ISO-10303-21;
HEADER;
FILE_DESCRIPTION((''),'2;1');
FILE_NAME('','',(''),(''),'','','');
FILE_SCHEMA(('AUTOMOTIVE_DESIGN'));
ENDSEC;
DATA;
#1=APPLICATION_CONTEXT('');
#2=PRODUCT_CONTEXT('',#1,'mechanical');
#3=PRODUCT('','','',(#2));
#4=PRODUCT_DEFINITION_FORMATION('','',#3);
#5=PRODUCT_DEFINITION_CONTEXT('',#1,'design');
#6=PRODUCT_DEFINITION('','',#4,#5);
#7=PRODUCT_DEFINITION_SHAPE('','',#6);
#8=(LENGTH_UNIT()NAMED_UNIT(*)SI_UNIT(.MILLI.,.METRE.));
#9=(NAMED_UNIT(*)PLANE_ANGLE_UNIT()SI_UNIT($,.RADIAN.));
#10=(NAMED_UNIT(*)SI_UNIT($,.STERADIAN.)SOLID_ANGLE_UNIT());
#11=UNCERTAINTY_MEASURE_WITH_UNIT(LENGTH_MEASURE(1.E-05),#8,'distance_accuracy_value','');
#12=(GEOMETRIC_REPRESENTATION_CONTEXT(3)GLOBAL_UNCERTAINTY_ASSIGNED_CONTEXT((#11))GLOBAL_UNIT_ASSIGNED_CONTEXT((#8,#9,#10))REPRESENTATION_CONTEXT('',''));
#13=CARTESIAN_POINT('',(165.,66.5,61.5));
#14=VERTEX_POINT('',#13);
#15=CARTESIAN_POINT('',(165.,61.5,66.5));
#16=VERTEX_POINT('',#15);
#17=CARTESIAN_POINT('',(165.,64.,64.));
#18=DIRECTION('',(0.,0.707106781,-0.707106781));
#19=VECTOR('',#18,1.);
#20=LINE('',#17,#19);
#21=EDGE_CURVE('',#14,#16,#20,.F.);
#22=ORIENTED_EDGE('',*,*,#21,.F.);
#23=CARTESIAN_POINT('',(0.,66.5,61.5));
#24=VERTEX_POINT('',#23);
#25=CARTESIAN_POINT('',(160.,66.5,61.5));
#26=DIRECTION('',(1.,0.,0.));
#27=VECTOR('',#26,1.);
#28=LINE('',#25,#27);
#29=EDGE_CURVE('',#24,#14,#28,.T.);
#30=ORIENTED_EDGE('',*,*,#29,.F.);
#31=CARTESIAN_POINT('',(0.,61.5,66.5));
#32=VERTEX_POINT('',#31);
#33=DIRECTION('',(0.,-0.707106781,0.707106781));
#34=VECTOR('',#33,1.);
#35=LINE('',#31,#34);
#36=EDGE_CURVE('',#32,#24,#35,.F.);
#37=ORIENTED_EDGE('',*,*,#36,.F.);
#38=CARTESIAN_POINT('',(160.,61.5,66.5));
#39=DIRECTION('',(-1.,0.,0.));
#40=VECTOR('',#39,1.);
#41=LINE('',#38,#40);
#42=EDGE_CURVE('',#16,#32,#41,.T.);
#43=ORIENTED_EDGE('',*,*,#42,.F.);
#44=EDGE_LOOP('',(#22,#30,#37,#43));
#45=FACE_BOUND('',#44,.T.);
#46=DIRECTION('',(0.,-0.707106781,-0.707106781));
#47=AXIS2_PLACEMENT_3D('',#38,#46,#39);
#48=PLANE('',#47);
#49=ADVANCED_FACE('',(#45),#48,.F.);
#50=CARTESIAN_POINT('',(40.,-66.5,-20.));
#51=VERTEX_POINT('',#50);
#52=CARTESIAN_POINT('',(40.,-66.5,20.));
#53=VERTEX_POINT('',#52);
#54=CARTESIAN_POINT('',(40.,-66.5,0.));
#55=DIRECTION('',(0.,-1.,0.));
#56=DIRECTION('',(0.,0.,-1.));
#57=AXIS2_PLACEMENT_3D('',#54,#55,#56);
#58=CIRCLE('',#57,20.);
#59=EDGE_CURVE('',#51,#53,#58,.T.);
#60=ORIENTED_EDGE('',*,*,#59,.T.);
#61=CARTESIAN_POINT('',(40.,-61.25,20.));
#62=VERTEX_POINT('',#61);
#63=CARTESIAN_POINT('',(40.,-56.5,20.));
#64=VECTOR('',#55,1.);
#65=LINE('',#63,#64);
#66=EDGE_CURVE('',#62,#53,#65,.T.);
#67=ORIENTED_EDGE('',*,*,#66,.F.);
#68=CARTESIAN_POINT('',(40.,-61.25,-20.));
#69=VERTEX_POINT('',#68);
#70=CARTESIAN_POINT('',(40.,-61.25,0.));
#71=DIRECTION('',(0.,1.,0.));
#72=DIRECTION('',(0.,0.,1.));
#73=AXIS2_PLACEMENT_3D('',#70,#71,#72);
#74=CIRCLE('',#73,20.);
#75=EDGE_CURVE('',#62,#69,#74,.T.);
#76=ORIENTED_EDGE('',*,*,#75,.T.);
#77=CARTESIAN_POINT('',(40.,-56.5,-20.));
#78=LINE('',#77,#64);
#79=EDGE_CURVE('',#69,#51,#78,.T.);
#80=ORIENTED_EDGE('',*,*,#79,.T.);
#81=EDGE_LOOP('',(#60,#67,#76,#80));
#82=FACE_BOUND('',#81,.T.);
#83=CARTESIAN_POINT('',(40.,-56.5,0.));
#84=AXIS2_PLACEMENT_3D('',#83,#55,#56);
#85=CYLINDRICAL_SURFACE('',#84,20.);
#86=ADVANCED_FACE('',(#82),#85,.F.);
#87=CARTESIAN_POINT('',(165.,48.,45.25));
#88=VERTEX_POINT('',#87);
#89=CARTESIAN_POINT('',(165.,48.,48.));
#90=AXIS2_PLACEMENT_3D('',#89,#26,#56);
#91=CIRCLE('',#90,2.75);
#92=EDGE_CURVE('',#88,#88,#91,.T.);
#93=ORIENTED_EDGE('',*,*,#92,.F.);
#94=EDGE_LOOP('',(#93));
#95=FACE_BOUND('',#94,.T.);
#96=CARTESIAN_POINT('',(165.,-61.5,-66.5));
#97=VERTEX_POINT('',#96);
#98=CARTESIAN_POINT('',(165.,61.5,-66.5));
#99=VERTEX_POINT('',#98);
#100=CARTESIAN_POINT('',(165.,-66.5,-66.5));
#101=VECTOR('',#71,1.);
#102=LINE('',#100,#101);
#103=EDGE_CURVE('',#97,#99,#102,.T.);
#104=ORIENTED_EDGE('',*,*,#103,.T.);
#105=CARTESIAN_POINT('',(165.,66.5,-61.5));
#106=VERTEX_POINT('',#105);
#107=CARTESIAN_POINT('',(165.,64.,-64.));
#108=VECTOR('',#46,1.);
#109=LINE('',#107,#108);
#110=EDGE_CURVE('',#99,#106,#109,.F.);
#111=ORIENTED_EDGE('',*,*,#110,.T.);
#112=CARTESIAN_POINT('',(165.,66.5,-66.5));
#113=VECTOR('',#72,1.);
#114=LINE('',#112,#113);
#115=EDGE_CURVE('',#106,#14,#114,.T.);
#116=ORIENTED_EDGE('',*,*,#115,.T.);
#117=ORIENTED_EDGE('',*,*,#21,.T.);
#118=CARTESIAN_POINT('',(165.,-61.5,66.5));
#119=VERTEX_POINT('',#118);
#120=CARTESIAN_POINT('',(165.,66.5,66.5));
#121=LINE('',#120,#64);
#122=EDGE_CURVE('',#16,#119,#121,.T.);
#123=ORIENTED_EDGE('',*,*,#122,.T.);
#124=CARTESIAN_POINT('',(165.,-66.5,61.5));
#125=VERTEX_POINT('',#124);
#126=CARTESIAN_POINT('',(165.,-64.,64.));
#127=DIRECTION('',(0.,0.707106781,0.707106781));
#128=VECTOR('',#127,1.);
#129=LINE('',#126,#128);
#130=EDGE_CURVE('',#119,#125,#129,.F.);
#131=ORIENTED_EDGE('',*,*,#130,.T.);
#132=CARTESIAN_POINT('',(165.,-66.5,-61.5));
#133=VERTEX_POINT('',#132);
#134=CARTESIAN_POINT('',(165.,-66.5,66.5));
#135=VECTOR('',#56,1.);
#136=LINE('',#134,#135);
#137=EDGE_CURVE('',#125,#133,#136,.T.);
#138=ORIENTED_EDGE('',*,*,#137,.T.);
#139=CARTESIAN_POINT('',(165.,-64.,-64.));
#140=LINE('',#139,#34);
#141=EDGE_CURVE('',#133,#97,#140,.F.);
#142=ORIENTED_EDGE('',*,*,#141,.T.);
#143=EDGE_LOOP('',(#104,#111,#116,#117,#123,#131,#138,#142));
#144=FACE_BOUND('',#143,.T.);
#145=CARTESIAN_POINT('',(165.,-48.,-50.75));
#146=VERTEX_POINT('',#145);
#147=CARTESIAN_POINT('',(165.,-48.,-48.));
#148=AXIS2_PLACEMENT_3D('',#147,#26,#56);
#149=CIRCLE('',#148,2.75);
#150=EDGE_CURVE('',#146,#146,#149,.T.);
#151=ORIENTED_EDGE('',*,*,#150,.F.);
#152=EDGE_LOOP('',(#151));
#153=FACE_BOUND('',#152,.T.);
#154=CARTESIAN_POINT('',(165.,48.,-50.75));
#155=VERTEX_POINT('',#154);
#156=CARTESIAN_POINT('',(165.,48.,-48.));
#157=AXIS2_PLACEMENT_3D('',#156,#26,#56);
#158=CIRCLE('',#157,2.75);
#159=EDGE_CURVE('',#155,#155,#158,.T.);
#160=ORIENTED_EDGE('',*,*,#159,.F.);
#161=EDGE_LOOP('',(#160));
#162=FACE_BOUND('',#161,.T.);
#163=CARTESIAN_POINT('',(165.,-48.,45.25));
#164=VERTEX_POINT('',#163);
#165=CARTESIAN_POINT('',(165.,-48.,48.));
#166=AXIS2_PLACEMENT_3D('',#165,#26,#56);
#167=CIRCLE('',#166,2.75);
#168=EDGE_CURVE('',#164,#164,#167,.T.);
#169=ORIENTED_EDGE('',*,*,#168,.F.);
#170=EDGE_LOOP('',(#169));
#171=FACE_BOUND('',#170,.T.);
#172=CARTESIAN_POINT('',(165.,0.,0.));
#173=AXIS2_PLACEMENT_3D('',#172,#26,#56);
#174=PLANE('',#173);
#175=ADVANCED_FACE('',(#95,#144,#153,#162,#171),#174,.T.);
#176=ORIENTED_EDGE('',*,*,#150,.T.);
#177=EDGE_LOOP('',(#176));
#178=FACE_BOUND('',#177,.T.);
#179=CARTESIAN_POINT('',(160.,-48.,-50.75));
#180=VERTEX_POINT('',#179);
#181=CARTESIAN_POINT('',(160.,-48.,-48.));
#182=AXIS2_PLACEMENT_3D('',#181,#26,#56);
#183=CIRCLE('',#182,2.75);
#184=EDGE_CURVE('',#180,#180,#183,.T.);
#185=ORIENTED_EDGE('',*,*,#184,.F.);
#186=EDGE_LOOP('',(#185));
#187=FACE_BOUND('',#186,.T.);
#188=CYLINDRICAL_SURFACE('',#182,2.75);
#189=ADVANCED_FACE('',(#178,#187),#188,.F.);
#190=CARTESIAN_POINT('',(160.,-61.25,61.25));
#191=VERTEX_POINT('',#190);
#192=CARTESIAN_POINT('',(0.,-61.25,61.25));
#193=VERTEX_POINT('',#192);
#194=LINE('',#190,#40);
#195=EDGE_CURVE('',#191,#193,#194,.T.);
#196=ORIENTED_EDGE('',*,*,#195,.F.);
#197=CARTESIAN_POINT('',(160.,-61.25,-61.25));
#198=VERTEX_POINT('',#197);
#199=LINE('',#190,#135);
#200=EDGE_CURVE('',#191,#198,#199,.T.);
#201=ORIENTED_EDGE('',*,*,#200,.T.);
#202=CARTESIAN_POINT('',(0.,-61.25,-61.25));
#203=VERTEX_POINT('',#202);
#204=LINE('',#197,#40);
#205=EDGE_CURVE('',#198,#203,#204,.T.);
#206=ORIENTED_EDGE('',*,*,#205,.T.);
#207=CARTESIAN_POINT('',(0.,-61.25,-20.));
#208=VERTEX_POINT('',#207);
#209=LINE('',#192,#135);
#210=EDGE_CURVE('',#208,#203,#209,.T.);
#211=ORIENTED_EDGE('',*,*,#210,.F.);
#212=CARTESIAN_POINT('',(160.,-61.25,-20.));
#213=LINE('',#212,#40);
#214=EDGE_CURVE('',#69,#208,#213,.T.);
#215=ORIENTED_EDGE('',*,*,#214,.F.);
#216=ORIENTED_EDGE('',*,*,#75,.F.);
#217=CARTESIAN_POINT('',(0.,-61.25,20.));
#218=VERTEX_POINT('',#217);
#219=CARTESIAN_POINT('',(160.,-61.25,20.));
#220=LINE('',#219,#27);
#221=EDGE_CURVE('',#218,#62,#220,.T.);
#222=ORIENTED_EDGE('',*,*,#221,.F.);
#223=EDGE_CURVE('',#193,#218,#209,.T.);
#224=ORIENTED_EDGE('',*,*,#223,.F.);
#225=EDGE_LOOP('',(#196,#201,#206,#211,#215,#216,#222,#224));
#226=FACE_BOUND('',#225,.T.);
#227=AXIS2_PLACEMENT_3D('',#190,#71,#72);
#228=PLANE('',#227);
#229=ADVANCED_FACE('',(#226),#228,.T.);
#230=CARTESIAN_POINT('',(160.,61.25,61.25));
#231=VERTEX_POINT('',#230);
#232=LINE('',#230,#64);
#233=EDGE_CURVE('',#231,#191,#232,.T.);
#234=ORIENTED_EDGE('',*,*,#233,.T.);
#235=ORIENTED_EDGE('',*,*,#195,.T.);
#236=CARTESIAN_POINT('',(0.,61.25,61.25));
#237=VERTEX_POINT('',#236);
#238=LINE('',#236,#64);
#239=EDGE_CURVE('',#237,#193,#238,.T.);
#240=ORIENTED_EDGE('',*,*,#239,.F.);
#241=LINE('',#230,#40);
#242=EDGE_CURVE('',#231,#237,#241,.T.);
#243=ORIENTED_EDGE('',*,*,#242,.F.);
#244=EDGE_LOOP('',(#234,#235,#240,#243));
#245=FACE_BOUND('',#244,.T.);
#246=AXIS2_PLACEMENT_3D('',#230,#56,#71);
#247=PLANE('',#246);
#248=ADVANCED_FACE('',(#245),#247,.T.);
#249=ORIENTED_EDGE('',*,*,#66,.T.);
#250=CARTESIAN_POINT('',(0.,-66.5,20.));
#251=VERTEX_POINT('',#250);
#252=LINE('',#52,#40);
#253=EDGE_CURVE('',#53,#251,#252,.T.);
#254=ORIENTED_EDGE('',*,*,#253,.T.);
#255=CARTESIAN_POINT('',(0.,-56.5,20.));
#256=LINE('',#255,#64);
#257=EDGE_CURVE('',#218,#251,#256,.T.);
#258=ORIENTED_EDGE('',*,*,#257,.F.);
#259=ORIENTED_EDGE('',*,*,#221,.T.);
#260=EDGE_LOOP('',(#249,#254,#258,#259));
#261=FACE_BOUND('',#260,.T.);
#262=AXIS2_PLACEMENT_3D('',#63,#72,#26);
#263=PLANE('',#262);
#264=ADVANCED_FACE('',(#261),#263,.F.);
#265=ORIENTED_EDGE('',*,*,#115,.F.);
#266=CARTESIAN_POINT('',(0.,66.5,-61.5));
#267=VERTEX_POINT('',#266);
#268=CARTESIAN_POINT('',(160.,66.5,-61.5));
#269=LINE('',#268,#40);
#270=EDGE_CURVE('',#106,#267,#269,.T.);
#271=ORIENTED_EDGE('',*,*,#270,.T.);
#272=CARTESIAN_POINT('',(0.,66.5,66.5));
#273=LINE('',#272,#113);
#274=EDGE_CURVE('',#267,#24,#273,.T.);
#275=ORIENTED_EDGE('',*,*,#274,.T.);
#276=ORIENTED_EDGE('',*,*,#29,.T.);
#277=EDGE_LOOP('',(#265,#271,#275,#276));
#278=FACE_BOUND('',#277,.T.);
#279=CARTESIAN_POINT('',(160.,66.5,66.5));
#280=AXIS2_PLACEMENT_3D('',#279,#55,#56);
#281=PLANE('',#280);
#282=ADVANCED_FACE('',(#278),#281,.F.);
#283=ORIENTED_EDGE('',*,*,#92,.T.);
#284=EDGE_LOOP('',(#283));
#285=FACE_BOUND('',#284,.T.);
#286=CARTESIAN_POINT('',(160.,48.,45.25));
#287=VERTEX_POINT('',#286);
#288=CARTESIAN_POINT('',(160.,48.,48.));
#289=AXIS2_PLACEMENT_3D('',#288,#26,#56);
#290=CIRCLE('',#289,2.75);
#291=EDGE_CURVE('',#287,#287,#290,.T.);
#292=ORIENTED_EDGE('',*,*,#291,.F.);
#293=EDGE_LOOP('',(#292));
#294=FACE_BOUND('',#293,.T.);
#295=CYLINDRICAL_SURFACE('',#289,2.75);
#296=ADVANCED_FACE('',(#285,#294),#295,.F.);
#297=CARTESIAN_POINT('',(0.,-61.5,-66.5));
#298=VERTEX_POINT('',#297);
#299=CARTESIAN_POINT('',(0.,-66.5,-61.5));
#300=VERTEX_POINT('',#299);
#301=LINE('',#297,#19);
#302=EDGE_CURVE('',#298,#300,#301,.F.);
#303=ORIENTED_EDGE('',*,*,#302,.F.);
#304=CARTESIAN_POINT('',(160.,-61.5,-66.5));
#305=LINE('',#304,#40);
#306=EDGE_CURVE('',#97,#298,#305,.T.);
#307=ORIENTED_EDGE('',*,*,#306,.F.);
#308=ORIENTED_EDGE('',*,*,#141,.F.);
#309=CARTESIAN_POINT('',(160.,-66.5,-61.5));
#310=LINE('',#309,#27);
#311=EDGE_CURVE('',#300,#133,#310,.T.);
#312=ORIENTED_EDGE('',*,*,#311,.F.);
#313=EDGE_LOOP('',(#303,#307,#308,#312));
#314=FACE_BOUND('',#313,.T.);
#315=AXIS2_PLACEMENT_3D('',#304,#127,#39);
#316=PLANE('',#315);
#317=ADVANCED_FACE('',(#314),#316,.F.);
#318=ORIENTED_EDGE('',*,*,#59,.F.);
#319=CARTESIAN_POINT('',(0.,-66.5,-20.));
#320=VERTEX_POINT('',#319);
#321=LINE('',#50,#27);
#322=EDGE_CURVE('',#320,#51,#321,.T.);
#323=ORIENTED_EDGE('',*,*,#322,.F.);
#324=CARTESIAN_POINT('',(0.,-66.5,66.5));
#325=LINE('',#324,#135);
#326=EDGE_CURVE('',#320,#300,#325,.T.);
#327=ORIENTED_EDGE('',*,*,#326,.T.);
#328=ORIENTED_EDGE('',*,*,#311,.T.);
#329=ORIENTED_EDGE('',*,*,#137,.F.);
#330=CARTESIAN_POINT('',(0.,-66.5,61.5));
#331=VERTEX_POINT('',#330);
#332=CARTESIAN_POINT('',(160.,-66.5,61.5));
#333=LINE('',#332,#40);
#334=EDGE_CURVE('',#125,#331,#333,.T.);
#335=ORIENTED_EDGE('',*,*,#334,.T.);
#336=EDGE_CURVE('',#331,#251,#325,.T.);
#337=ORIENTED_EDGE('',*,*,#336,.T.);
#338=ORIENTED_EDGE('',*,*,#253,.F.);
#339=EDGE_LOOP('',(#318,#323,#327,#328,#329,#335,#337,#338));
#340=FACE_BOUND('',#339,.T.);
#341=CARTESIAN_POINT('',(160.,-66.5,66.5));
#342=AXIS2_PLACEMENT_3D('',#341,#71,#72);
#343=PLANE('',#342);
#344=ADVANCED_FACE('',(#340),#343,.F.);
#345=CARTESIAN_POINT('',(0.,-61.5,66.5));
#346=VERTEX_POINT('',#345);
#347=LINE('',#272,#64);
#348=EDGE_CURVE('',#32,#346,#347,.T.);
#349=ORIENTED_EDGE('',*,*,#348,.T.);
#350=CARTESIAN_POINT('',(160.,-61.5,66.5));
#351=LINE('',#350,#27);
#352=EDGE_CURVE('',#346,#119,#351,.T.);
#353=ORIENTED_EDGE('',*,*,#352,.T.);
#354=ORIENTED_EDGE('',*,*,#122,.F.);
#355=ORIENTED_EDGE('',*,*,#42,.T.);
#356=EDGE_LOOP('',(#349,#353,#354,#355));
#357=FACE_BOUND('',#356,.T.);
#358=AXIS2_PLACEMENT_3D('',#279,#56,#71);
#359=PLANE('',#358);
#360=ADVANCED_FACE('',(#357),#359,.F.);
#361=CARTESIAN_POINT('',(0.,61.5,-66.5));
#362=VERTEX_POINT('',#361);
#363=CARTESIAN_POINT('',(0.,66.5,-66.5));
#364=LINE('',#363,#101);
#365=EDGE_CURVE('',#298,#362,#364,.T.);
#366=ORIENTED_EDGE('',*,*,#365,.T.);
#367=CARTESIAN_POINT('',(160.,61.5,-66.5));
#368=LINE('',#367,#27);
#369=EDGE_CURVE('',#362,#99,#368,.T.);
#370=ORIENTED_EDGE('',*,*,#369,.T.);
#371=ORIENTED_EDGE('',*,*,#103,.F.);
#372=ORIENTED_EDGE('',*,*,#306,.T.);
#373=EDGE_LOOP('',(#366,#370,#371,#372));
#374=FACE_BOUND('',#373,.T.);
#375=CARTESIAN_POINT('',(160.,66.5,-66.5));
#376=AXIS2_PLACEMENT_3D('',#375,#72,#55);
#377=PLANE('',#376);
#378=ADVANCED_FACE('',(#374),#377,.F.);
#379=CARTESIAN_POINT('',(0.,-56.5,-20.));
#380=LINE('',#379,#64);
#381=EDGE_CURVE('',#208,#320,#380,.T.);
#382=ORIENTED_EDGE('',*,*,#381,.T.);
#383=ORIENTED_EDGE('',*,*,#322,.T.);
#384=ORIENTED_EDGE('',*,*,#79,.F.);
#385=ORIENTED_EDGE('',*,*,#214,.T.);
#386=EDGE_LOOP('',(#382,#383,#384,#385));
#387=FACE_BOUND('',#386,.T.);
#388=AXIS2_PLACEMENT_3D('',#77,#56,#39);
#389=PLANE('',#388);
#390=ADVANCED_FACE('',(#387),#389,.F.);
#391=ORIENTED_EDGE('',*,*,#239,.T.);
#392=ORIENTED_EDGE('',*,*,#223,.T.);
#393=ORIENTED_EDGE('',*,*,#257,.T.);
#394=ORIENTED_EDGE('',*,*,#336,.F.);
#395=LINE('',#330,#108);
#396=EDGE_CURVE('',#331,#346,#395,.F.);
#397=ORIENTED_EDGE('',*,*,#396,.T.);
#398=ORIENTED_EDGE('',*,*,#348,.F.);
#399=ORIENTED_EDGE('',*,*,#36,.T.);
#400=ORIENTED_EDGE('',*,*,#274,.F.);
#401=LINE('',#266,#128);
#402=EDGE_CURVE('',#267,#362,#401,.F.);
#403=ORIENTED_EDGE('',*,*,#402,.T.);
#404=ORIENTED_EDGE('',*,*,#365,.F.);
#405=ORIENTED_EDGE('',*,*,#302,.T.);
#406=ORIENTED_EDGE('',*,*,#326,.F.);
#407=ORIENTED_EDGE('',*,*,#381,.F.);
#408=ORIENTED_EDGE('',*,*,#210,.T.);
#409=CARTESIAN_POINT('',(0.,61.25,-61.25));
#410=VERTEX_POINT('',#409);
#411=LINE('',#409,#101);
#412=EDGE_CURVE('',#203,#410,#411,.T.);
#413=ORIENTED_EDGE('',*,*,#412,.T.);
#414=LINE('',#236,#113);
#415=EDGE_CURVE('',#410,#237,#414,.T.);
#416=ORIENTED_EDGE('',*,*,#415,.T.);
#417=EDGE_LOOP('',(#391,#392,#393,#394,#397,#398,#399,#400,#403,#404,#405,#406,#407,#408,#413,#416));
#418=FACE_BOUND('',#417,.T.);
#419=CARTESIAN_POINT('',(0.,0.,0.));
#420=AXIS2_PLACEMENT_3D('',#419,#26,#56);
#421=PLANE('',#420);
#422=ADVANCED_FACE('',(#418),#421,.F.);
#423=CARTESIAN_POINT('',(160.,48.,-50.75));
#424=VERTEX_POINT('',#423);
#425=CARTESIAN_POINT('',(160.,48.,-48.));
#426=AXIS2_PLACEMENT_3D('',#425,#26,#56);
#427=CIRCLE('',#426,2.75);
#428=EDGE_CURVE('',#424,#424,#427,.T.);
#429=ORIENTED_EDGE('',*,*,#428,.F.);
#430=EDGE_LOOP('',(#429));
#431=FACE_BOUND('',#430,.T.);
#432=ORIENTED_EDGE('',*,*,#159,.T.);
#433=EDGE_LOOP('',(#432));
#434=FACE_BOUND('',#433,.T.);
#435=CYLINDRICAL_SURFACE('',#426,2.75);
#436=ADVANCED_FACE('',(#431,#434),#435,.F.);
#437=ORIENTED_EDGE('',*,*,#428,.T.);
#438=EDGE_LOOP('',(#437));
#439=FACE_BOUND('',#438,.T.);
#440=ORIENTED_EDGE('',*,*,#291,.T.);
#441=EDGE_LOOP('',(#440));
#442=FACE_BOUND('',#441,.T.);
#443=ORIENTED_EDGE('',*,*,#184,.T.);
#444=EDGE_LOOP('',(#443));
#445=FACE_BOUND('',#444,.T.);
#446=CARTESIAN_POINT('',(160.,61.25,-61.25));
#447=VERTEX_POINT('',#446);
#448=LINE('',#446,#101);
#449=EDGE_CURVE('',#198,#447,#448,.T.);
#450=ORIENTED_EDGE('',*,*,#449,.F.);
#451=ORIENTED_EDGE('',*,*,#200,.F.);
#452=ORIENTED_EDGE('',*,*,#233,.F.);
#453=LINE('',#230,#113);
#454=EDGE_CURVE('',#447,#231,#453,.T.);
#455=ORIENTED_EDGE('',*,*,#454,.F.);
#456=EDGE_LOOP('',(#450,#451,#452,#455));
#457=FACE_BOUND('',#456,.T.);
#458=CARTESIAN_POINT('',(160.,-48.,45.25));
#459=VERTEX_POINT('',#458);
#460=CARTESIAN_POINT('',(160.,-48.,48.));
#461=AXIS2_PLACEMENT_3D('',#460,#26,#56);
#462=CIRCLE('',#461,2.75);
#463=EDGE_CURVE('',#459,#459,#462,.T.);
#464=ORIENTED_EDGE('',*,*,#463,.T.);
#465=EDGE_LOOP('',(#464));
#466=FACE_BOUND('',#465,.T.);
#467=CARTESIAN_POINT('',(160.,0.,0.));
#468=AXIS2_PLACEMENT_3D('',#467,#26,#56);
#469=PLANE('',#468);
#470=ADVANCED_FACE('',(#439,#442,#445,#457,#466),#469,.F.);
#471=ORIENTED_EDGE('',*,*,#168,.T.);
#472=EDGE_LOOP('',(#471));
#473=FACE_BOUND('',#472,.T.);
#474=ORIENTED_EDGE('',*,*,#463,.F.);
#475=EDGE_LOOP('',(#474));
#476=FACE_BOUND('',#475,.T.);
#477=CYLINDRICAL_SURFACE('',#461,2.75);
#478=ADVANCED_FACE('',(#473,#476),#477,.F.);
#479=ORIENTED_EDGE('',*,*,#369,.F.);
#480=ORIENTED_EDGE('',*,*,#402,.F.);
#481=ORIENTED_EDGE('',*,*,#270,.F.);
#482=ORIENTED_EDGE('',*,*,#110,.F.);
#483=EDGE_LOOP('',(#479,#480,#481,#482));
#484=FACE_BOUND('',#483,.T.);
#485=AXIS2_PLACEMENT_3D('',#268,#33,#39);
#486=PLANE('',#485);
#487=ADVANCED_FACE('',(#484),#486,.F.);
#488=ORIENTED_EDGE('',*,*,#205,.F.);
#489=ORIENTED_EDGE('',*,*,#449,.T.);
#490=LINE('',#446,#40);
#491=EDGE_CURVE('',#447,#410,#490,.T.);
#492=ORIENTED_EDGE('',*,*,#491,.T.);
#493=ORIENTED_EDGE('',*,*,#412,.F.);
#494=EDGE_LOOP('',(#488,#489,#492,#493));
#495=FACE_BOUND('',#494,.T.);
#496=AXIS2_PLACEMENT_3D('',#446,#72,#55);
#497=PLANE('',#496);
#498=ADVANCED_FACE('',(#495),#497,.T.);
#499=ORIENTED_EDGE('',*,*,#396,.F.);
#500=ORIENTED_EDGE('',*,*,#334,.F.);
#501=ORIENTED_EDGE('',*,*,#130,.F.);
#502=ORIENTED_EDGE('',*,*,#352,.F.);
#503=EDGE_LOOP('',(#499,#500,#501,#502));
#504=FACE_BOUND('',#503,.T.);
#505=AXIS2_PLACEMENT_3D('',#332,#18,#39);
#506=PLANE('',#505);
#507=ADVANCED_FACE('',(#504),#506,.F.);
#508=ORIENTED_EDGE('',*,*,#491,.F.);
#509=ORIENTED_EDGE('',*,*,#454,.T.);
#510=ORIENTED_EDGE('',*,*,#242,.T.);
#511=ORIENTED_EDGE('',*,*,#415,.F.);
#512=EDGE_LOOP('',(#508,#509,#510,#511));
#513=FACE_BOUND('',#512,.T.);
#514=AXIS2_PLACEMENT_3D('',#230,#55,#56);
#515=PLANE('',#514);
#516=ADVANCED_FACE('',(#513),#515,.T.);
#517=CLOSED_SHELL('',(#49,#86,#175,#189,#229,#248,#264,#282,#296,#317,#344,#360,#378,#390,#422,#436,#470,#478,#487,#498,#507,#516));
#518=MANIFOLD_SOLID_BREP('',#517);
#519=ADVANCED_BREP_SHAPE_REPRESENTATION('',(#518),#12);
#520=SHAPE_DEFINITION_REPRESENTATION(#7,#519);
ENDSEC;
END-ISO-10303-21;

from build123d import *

# Parameters (mm, degrees)
SKETCH_1_W          = 133
SKETCH_1_H          = 133
SKETCH_1_W_2        = 122.5
SKETCH_1_H_2        = 122.5
EXTRUDE_1_DEPTH     = 160
SKETCH_2_W          = 133
SKETCH_2_H          = 133
EXTRUDE_2_DEPTH     = 5
CHAMFER_1_SIZE      = 5
SKETCH_3_R          = 2.75
CUT_EXTRUDE_1_DEPTH = 5
CUT_EXTRUDE_2_DEPTH = 10


with BuildPart() as part:
    # 草图1 → 凸台-拉伸1 (new body)
    with BuildSketch(Plane(origin=(0, 0, 0), x_dir=(0, 0, -1), z_dir=(1, 0, 0))):
        Rectangle(SKETCH_1_W, SKETCH_1_H)
        Rectangle(SKETCH_1_W_2, SKETCH_1_H_2, mode=Mode.SUBTRACT)
    extrude(amount=EXTRUDE_1_DEPTH)

    # 草图2 → 凸台-拉伸2 (add)
    with BuildSketch(Plane(origin=(160, 0, 0), x_dir=(0, 0, -1), z_dir=(1, 0, 0))):
        Rectangle(SKETCH_2_W, SKETCH_2_H)
    extrude(amount=EXTRUDE_2_DEPTH)

    # 倒角1
    chamfer_1_edges = [part.edges().sort_by_distance(p)[0] for p in [
        (82.5, 66.5, 66.5),
        (82.5, 66.5, -66.5),
        (82.5, -66.5, -66.5),
        (82.5, -66.5, 66.5),
    ]]
    chamfer(chamfer_1_edges, length=CHAMFER_1_SIZE)

    # 草图3 → 切除-拉伸1 (cut)
    with BuildSketch(Plane(origin=(165, 0, 0), x_dir=(0, 0, -1), z_dir=(1, 0, 0))):
        with Locations((48, 48)):
            Circle(SKETCH_3_R)
        with Locations((48, -48)):
            Circle(SKETCH_3_R)
        with Locations((-48, -48)):
            Circle(SKETCH_3_R)
        with Locations((-48, 48)):
            Circle(SKETCH_3_R)
    extrude(amount=-CUT_EXTRUDE_1_DEPTH, mode=Mode.SUBTRACT)

    # 草图4 → 切除-拉伸2 (cut)
    with BuildSketch(Plane.XZ.offset(66.5)):
        with BuildLine():
            Line((40, 20), (0, 20))
            Line((0, 20), (0, -20))
            Line((0, -20), (40, -20))
            ThreePointArc((40, -20), (60, 0), (40, 20))
        make_face()
    extrude(amount=-CUT_EXTRUDE_2_DEPTH, mode=Mode.SUBTRACT)


solid = part.part
